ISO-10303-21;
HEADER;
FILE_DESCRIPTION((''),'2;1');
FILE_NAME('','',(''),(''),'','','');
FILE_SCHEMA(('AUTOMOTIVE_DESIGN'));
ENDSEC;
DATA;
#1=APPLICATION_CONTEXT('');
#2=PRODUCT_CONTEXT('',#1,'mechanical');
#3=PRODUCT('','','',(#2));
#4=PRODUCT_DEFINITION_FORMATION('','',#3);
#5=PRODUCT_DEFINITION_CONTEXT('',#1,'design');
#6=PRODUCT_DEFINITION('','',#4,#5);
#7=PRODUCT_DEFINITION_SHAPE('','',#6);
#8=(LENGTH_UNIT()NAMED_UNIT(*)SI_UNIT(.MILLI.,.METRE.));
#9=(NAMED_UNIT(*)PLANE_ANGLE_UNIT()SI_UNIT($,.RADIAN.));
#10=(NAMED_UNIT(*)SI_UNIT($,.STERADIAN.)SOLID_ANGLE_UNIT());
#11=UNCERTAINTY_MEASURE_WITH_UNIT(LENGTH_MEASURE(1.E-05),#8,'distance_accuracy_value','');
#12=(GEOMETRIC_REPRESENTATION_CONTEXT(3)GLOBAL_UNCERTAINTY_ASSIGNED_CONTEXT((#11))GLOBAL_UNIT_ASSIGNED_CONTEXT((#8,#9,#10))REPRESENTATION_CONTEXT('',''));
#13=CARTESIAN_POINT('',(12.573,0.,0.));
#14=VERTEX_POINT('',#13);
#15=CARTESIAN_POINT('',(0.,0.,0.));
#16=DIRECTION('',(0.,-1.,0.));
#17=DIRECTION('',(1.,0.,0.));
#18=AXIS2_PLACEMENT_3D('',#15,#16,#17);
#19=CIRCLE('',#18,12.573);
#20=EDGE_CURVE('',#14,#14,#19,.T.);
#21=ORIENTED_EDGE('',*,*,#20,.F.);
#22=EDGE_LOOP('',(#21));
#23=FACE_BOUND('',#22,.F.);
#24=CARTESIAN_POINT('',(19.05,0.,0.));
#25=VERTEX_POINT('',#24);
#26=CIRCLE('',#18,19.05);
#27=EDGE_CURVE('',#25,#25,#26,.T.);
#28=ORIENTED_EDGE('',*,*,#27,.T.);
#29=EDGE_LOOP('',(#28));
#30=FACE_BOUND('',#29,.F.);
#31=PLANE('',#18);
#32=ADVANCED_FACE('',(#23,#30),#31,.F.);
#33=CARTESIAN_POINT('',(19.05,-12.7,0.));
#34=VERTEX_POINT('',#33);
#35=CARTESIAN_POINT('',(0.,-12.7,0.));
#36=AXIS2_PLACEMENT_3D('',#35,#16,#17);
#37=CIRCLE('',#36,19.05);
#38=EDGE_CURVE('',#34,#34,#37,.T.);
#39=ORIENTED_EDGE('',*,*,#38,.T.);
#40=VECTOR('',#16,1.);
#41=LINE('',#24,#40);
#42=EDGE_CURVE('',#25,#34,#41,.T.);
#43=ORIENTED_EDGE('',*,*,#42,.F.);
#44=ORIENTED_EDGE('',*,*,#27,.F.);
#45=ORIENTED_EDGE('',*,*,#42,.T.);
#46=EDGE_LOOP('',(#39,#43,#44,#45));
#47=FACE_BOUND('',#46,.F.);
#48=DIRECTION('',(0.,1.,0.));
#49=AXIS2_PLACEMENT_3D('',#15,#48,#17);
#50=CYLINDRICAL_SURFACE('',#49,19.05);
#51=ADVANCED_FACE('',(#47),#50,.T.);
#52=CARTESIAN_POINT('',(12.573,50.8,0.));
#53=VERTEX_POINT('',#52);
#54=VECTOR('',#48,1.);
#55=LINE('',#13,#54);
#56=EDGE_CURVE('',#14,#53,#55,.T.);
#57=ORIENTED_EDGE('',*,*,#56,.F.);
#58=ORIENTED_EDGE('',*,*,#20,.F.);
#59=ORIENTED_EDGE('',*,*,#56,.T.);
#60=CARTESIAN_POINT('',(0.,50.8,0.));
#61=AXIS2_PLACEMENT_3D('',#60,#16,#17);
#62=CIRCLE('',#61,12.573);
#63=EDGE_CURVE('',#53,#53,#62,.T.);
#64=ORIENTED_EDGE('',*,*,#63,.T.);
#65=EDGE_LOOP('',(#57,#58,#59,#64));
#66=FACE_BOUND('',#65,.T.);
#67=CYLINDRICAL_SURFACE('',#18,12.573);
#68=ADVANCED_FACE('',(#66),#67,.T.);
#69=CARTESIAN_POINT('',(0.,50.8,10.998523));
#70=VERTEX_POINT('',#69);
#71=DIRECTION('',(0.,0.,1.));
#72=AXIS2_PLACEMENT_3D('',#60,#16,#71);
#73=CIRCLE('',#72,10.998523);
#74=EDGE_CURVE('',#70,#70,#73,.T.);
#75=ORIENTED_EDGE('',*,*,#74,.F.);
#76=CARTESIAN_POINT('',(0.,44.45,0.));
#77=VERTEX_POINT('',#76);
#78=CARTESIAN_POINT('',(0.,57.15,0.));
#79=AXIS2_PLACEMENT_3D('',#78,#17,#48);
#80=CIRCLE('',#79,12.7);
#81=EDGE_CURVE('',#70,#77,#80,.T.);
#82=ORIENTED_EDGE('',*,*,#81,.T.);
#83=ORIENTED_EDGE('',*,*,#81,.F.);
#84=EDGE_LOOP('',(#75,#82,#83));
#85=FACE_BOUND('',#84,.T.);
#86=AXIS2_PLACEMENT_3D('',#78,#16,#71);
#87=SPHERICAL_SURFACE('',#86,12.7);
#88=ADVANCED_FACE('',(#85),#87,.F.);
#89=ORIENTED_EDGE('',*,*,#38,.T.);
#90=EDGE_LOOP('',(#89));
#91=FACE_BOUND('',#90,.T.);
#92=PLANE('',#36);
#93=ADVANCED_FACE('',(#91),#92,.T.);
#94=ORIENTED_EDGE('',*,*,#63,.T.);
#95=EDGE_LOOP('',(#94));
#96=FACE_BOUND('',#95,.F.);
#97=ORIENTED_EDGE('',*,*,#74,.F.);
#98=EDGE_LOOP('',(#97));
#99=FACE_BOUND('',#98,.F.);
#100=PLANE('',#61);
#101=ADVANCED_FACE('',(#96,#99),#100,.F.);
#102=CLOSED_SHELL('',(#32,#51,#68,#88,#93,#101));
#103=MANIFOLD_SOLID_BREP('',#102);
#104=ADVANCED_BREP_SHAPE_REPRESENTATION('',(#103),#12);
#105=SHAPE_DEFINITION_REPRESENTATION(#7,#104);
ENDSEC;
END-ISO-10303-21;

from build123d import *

# Parameters (mm, degrees)
F0_R     = 12.573
F1_DEPTH = 50.8
F2_R     = 19.05
F3_DEPTH = 12.7


with BuildPart() as f1:
    # F0 (on Front) → F1 (new body)
    with BuildSketch(Plane.XZ):
        Circle(F0_R)
    extrude(amount=-F1_DEPTH)

    # F2 (on Front) → F3 (join)
    with BuildSketch(Plane.XZ):
        Circle(F2_R)
    extrude(amount=F3_DEPTH)

    # F4 (on Right) → F5 (revolve, cut)
    with BuildSketch(Plane.YZ):
        with BuildLine():
            Line((44.45, 0), (69.85, 0))
            ThreePointArc((69.85, 0), (57.15, 12.7), (44.45, 0))
        make_face()
    revolve(axis=Axis((0, 39.479446, 0), (0, 1, 0)), mode=Mode.SUBTRACT)


solid = f1.part
